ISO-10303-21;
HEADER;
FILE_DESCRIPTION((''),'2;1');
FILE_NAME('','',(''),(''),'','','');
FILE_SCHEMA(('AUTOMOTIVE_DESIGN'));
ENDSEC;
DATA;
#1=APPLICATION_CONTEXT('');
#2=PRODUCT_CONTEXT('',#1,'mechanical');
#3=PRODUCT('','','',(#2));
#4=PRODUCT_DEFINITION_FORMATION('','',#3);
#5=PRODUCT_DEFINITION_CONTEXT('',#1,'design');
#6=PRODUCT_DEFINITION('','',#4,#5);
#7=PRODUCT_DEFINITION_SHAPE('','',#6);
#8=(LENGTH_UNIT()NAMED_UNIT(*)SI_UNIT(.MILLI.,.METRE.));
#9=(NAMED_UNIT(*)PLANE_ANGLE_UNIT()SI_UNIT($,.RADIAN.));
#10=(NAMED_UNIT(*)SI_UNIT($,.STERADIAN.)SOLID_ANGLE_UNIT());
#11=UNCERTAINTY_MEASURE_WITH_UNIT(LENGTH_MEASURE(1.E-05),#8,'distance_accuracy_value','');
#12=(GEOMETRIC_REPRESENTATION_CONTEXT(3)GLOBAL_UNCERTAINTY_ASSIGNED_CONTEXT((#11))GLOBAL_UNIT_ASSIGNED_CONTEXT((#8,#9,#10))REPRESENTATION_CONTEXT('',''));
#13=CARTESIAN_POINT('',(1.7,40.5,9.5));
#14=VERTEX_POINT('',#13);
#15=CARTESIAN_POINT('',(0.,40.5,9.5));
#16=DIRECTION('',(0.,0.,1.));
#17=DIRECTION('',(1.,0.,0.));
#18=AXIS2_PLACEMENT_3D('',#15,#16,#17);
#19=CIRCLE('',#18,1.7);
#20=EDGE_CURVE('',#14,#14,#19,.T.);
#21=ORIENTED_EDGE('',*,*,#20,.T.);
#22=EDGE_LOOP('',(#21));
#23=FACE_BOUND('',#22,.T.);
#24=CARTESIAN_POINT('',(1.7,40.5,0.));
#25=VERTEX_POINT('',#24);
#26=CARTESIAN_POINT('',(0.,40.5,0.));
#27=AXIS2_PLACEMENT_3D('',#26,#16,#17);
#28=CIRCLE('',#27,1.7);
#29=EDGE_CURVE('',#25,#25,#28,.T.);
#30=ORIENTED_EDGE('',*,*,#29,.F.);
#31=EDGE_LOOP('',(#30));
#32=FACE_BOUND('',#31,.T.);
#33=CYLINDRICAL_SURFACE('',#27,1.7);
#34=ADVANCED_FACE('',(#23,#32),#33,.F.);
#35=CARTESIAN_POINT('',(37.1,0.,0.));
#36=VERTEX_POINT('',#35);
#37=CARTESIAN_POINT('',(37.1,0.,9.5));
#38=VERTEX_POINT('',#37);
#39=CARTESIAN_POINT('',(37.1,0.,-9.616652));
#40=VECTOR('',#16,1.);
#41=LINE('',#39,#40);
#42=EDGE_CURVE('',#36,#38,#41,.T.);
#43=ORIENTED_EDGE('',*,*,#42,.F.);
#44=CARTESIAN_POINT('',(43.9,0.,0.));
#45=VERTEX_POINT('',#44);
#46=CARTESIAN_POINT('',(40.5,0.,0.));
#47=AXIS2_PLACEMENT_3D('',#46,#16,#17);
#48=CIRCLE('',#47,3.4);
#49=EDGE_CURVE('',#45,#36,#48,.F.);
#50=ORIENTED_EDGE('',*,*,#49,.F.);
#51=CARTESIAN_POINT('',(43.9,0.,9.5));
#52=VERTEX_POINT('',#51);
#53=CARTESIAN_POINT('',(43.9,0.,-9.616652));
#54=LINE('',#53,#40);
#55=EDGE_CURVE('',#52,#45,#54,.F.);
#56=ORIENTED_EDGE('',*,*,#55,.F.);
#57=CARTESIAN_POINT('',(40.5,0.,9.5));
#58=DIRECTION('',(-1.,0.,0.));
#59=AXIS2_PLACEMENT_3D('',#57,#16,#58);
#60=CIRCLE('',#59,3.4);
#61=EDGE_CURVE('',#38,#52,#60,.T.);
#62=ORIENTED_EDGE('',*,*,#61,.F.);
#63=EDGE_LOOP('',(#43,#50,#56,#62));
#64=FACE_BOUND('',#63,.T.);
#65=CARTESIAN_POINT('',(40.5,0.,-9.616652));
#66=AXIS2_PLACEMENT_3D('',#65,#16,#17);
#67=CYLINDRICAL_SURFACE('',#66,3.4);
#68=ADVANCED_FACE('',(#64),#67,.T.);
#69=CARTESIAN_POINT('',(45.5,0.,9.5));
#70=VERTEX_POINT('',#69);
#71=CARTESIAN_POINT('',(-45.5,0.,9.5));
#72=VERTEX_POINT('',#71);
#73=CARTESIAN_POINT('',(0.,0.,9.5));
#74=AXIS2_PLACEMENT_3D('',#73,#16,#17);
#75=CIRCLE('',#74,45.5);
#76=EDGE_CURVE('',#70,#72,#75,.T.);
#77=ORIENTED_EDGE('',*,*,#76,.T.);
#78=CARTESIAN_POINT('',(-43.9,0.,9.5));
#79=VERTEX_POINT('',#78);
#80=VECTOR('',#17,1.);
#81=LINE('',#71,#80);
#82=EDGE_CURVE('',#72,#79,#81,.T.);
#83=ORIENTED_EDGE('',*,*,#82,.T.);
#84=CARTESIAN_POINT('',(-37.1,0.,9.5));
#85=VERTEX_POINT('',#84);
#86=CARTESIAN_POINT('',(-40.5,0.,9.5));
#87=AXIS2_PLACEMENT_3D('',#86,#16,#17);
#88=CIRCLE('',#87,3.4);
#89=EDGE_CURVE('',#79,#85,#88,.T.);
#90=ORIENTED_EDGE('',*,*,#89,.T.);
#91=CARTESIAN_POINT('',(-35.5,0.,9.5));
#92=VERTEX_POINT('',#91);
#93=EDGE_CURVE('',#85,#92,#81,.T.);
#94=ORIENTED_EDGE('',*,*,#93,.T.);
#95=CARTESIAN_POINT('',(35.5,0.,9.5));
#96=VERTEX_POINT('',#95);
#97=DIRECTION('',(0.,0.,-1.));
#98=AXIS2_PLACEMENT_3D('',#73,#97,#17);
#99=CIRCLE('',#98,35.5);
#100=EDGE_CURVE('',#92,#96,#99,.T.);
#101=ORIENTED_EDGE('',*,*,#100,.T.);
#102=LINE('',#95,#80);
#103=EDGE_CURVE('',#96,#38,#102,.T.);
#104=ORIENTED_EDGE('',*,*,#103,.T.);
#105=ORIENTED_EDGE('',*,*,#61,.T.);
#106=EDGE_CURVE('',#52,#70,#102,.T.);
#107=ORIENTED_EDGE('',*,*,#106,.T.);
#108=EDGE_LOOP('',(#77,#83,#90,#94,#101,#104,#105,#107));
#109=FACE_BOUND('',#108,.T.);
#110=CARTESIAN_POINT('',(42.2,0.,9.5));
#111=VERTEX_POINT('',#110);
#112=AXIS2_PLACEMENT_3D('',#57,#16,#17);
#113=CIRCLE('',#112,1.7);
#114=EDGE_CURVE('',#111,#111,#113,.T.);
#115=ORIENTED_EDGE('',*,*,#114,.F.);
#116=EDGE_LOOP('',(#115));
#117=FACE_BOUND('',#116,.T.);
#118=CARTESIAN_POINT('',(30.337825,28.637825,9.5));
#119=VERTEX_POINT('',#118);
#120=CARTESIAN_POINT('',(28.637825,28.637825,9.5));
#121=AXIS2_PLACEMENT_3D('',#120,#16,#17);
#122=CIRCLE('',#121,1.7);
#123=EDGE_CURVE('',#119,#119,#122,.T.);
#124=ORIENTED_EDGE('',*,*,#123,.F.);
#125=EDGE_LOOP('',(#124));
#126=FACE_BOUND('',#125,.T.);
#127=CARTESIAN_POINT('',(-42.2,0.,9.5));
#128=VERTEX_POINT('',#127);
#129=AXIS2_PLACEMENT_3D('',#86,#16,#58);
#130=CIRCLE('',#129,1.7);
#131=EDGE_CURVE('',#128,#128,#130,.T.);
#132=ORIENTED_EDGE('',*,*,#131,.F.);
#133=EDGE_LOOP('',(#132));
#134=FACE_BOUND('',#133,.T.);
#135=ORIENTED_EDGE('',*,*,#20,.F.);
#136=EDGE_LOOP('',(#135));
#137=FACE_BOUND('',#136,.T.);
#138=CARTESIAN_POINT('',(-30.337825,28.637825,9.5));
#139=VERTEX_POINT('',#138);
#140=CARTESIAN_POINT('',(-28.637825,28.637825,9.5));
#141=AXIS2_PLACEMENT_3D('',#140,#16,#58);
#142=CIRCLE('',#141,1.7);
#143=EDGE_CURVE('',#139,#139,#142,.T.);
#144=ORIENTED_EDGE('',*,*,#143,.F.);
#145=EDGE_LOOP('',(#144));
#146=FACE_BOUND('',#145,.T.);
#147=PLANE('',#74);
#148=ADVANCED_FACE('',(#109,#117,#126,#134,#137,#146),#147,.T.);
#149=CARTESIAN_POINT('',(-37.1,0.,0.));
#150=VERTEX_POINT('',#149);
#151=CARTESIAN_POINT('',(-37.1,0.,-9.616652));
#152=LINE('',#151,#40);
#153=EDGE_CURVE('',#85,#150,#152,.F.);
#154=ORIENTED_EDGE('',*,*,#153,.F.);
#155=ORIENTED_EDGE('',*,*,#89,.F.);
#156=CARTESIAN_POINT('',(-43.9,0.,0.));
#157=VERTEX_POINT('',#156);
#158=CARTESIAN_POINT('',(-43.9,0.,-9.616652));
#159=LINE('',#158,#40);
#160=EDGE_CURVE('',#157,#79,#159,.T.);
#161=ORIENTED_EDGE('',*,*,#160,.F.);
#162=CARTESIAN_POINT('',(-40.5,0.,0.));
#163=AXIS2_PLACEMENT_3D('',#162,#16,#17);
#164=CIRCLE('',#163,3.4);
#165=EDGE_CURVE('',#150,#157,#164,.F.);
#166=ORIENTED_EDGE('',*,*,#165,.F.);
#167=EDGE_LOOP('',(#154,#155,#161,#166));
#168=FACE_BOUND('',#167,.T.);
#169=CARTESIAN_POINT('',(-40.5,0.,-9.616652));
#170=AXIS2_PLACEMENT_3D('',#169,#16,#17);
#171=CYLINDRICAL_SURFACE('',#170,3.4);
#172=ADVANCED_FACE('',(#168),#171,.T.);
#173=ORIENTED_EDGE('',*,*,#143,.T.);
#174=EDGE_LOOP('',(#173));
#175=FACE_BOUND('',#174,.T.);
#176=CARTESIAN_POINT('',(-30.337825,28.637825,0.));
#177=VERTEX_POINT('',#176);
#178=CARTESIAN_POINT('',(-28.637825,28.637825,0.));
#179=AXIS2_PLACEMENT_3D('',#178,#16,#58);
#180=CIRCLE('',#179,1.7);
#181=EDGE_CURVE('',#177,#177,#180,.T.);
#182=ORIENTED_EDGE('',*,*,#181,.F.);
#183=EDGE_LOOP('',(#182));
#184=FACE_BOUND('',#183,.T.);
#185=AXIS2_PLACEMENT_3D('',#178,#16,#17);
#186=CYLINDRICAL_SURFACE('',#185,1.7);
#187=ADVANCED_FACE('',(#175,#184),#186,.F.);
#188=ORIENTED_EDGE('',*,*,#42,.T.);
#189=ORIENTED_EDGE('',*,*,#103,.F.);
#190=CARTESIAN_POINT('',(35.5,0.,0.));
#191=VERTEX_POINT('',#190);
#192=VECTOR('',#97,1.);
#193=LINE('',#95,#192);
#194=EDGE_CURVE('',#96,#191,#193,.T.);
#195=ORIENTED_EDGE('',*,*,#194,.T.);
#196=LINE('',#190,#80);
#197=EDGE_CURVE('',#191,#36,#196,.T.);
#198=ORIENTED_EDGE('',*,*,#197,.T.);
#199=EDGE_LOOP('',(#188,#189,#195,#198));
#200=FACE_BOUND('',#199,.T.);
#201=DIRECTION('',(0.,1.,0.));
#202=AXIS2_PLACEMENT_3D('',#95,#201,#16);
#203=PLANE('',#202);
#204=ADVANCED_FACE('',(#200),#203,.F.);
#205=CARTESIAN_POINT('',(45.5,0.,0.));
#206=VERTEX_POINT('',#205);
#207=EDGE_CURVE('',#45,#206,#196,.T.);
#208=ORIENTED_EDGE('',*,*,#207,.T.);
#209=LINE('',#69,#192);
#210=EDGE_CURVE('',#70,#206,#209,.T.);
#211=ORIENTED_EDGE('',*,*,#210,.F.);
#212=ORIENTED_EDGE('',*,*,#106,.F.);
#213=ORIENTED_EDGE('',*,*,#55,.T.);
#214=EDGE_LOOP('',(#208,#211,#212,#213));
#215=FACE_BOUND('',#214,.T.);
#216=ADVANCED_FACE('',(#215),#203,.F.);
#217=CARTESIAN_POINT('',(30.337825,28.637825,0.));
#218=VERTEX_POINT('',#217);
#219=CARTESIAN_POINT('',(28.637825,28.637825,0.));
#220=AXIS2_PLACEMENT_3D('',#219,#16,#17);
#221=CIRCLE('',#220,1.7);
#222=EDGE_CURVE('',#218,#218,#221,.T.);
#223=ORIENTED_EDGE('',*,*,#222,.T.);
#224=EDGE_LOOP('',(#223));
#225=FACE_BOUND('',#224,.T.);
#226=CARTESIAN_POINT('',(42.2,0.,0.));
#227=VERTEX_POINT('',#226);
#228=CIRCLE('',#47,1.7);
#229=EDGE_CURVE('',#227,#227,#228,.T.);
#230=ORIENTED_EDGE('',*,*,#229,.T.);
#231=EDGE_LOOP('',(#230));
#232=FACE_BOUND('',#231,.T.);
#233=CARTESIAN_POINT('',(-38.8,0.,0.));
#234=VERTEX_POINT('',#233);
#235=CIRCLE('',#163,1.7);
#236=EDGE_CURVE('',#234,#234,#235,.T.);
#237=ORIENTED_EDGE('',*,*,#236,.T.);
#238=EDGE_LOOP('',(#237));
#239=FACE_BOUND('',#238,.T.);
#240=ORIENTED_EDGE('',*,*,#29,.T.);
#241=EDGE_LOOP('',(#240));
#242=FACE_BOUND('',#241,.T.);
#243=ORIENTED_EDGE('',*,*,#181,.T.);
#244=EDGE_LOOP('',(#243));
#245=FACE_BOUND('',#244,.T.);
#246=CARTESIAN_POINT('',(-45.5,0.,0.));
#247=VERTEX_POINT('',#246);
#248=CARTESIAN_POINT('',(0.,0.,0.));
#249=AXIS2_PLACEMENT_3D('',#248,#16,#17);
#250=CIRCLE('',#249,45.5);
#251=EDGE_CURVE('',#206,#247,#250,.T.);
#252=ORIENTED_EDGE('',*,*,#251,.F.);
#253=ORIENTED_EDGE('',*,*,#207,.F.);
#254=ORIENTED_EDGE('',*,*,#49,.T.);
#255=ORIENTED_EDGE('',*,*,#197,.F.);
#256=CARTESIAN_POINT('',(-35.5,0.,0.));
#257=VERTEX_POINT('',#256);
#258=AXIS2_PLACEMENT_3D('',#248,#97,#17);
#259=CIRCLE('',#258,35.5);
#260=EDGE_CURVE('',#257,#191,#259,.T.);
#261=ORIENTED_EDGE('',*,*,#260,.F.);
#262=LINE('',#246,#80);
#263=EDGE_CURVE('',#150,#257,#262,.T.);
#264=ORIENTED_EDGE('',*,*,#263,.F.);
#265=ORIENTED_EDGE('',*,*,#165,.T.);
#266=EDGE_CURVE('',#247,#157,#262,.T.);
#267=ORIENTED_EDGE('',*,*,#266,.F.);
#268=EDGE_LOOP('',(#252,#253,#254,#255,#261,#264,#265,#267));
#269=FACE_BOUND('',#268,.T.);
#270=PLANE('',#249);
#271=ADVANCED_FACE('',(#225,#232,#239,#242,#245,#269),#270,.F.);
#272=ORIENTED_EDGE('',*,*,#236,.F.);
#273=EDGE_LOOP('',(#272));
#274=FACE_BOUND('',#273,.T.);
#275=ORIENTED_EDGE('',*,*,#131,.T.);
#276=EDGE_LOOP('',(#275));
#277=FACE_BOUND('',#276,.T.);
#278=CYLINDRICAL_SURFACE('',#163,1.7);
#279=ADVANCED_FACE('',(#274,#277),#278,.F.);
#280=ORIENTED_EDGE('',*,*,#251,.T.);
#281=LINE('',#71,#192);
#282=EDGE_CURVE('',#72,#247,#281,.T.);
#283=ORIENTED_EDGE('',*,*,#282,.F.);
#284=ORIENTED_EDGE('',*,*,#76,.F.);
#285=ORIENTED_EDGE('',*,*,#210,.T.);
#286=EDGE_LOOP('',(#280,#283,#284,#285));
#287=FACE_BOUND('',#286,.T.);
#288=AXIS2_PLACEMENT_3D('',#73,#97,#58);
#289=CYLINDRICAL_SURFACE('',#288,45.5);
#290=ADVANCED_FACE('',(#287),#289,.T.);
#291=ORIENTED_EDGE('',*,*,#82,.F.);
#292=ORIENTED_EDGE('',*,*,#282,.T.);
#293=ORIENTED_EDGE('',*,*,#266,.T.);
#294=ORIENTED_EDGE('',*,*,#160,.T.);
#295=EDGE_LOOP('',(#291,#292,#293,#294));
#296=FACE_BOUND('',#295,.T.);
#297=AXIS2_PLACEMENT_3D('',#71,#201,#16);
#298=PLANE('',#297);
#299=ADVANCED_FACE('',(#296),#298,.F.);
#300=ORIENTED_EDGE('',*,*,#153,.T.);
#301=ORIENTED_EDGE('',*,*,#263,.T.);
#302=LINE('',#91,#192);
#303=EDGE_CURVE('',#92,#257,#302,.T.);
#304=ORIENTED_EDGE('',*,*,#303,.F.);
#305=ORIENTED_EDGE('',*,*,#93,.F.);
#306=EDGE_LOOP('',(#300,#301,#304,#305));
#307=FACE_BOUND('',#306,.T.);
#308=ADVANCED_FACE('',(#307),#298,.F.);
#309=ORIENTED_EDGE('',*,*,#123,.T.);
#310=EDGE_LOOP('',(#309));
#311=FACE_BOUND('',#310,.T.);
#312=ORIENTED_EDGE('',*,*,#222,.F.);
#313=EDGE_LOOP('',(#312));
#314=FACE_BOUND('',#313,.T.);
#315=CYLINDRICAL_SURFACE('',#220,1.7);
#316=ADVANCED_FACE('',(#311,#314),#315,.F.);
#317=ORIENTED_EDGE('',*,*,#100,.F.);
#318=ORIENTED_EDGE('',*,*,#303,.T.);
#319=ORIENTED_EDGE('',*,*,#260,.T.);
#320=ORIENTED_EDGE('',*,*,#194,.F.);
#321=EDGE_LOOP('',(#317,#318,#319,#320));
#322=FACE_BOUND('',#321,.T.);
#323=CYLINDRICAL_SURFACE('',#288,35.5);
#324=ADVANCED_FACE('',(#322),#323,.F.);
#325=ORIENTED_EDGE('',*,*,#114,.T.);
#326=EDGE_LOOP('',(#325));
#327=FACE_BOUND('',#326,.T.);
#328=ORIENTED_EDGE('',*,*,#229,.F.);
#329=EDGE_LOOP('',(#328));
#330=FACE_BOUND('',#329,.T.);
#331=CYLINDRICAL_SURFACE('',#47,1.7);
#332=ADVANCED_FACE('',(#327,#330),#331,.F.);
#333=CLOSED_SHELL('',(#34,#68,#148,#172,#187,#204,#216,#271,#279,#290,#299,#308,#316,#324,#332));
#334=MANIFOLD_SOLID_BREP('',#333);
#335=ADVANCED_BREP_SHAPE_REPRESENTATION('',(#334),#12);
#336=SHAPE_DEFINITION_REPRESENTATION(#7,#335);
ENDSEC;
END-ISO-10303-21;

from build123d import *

# Parameters (mm, degrees)
SALIENTE_EXTRUIR1_DEPTH = 9.5
CROQUIS2_R              = 1.7
CORTAR_EXTRUIR1_DEPTH   = 10.5
CROQUIS3_R              = 3.4
CROQUIS3_R_2            = 1.7
SALIENTE_EXTRUIR2_DEPTH = 9.5


with BuildPart() as part:
    # Croquis1 → Saliente-Extruir1 (new body)
    with BuildSketch(Plane.XY):
        with BuildLine():
            Line((-45.5, 0), (-35.5, 0))
            ThreePointArc((-35.5, 0), (0, 35.5), (35.5, 0))
            Line((35.5, 0), (45.5, 0))
            ThreePointArc((45.5, 0), (0, 45.5), (-45.5, 0))
        make_face()
    extrude(amount=SALIENTE_EXTRUIR1_DEPTH)

    # Croquis2 → Cortar-Extruir1 (cut, through all)
    with BuildSketch(Plane.XY.offset(9.5)):
        with Locations((0, 40.5)):
            Circle(CROQUIS2_R)
        with Locations((28.637824638, 28.637824638)):
            Circle(CROQUIS2_R)
        with Locations((40.5, 0)):
            Circle(CROQUIS2_R)
        with Locations((-40.5, 0)):
            Circle(CROQUIS2_R)
        with Locations((-28.637824638, 28.637824638)):
            Circle(CROQUIS2_R)
    extrude(amount=-CORTAR_EXTRUIR1_DEPTH, mode=Mode.SUBTRACT)

    # Croquis3 → Saliente-Extruir2 (add)
    with BuildSketch(Plane.XY.offset(9.5)):
        with Locations((-40.5, 0)):
            Circle(CROQUIS3_R)
        with Locations((-40.5, 0)):
            Circle(CROQUIS3_R_2, mode=Mode.SUBTRACT)
        with Locations((40.5, 0)):
            Circle(CROQUIS3_R)
        with Locations((40.5, 0)):
            Circle(CROQUIS3_R_2, mode=Mode.SUBTRACT)
    extrude(amount=-SALIENTE_EXTRUIR2_DEPTH)


solid = part.part
